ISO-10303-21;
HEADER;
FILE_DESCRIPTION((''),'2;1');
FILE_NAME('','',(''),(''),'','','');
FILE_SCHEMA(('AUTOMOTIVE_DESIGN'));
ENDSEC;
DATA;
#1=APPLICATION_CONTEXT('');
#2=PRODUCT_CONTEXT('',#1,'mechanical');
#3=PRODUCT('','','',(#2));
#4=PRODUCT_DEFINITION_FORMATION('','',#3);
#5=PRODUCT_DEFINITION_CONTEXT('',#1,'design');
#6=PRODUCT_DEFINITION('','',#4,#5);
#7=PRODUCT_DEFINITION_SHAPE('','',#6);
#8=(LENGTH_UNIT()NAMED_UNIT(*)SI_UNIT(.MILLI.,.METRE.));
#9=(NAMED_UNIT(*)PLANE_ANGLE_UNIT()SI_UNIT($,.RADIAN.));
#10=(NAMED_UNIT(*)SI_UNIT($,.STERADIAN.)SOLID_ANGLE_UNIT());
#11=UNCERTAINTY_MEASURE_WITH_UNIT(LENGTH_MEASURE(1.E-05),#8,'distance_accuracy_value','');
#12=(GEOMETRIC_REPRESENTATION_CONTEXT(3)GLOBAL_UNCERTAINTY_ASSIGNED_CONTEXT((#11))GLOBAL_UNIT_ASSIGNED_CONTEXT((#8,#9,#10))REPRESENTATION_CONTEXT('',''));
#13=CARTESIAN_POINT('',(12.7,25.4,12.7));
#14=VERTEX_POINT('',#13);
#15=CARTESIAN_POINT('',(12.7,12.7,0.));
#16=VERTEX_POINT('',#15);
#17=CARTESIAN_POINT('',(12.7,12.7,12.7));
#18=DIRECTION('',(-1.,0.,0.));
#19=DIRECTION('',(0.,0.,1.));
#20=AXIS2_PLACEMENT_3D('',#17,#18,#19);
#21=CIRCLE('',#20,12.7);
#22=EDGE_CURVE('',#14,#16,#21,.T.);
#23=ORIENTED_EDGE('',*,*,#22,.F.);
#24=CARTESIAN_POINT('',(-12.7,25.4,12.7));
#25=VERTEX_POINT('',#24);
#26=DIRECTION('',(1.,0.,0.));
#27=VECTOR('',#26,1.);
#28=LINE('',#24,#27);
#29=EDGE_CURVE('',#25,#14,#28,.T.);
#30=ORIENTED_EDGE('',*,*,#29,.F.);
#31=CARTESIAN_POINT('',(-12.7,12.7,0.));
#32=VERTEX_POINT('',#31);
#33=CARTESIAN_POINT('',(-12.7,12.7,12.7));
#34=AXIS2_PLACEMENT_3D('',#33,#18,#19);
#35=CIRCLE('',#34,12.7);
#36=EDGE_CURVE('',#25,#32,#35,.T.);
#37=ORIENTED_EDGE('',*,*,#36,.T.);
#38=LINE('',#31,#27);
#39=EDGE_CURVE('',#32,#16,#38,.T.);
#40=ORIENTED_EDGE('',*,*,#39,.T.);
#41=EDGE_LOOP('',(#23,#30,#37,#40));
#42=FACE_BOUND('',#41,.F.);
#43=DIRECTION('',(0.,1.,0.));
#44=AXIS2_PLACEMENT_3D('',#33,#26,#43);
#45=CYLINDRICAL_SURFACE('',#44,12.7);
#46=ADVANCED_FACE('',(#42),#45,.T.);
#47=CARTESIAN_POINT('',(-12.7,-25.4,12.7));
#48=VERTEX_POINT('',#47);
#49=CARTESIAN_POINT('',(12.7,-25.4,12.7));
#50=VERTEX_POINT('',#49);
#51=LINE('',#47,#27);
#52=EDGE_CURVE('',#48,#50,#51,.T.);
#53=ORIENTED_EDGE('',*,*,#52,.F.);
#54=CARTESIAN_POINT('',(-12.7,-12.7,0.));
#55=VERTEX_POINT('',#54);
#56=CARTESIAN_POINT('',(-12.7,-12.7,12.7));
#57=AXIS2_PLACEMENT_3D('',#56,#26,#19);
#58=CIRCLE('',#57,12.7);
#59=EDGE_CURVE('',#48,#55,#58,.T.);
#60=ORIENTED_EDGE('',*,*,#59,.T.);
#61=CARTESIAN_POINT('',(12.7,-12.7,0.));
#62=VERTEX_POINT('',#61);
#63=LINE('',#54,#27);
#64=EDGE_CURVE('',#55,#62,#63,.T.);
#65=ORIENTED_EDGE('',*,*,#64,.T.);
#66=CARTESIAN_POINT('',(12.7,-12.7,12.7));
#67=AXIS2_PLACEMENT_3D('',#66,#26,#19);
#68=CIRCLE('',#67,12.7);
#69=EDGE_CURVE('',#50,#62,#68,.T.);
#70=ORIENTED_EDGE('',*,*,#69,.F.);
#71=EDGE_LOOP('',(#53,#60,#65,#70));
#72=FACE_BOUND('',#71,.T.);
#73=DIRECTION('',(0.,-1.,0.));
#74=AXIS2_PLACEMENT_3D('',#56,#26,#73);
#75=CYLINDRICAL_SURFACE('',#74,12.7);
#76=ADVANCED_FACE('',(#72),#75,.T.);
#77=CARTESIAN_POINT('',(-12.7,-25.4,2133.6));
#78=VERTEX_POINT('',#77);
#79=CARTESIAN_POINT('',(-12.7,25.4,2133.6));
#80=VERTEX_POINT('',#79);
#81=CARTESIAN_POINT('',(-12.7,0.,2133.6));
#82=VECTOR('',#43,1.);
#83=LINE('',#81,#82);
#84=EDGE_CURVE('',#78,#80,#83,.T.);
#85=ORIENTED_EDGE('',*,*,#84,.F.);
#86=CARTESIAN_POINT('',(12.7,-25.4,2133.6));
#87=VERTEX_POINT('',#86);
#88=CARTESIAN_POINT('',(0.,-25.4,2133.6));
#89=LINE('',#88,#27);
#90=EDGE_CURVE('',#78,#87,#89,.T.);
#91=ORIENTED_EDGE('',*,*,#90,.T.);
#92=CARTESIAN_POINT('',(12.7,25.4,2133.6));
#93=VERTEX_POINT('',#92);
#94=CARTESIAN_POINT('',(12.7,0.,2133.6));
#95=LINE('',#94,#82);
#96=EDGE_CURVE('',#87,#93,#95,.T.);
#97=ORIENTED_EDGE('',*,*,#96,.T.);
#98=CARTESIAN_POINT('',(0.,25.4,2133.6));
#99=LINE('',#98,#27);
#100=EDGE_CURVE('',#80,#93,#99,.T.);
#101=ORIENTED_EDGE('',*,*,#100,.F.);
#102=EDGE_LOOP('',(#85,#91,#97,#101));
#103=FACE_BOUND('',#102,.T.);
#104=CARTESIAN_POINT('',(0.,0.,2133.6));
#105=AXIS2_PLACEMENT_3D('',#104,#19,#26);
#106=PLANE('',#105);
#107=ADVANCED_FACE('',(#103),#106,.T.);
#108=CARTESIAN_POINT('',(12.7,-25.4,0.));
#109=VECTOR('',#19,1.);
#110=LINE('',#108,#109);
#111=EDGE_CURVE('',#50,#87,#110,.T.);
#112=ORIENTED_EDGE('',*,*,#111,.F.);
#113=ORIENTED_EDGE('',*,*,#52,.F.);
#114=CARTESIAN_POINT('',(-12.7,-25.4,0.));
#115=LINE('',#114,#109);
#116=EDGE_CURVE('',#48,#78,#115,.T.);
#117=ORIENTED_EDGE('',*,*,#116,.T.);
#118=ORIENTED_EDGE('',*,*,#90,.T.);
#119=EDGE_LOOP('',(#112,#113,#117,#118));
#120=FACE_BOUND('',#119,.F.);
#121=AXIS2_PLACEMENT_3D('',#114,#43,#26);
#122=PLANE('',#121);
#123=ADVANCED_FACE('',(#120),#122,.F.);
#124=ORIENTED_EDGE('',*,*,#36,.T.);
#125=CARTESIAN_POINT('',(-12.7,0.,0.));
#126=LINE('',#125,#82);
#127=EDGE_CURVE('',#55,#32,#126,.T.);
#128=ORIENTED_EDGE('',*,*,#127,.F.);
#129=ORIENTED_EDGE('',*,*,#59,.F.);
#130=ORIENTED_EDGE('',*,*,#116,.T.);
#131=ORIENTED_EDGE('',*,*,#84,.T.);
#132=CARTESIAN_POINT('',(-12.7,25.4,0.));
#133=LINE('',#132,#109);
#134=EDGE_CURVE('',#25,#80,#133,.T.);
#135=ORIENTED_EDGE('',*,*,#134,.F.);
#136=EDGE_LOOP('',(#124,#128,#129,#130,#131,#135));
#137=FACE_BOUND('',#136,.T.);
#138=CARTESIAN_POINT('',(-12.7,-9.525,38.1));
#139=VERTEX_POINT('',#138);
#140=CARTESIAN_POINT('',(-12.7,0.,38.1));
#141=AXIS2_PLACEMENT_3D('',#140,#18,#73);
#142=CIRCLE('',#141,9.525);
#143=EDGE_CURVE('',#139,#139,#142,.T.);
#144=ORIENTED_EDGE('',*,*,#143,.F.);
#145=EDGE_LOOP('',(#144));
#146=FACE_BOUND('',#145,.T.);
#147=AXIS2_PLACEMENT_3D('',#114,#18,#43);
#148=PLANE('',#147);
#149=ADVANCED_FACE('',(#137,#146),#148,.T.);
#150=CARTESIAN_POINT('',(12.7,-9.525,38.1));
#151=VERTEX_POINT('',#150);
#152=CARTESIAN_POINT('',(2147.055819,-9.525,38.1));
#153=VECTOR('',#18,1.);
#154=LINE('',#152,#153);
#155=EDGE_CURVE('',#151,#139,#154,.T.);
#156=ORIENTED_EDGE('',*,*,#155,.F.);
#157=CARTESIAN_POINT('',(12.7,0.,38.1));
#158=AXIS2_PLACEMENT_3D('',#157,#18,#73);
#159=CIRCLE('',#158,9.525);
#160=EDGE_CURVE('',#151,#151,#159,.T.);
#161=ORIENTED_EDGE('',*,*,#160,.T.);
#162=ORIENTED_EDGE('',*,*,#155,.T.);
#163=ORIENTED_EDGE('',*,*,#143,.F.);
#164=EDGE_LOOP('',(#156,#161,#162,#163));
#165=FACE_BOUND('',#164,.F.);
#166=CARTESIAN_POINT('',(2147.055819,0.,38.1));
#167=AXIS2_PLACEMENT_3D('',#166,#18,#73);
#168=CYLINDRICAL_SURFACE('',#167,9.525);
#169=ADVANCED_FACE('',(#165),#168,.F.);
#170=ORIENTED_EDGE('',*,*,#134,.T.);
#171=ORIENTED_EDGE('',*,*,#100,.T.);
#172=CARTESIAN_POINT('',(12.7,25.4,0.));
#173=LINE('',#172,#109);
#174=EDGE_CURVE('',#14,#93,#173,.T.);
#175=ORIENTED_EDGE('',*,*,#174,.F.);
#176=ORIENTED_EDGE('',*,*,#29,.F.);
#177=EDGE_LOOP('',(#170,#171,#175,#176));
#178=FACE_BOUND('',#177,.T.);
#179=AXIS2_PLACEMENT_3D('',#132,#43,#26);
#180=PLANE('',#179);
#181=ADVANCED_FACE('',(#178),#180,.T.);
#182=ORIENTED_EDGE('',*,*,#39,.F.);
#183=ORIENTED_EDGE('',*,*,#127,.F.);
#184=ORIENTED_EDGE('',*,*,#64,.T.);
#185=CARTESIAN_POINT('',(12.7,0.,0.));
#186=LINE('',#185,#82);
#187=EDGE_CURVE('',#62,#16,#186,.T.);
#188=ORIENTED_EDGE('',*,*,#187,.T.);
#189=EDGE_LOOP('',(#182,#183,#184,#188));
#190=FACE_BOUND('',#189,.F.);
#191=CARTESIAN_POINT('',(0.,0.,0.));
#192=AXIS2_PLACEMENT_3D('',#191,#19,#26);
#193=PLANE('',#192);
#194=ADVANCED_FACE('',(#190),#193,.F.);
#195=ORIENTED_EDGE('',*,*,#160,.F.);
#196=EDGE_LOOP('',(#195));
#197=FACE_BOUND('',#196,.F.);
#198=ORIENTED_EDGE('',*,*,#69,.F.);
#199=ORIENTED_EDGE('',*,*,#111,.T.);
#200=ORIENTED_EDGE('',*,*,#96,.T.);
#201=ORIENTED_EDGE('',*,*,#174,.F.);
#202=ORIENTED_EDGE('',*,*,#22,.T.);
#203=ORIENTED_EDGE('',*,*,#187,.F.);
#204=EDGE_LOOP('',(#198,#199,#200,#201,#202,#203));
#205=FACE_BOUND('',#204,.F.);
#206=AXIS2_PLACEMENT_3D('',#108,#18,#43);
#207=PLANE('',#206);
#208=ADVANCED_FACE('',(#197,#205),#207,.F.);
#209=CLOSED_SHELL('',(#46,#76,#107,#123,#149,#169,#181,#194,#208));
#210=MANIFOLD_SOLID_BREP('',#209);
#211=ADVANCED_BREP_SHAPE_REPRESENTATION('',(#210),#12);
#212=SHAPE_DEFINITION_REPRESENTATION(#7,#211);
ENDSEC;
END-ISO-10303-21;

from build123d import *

# Parameters (mm, degrees)
F0_W     = 25.4
F0_H     = 50.8
F1_DEPTH = 2133.6
F2_R     = 12.7
F4_D     = 19.05


with BuildPart() as f1:
    # F0 (on Top) → F1 (new body)
    with BuildSketch(Plane.XY):
        Rectangle(F0_W, F0_H)
    extrude(amount=F1_DEPTH)

    # F2
    f2_edges = [f1.edges().sort_by_distance(p)[0] for p in [
        (0, -25.4, 0),
        (0, 25.4, 0),
    ]]
    fillet(f2_edges, radius=F2_R)

    # F4 (through all)
    with Locations(Plane.YZ.offset(12.7)):
        with Locations((0, 38.1)):
            Hole(F4_D / 2)


solid = f1.part
